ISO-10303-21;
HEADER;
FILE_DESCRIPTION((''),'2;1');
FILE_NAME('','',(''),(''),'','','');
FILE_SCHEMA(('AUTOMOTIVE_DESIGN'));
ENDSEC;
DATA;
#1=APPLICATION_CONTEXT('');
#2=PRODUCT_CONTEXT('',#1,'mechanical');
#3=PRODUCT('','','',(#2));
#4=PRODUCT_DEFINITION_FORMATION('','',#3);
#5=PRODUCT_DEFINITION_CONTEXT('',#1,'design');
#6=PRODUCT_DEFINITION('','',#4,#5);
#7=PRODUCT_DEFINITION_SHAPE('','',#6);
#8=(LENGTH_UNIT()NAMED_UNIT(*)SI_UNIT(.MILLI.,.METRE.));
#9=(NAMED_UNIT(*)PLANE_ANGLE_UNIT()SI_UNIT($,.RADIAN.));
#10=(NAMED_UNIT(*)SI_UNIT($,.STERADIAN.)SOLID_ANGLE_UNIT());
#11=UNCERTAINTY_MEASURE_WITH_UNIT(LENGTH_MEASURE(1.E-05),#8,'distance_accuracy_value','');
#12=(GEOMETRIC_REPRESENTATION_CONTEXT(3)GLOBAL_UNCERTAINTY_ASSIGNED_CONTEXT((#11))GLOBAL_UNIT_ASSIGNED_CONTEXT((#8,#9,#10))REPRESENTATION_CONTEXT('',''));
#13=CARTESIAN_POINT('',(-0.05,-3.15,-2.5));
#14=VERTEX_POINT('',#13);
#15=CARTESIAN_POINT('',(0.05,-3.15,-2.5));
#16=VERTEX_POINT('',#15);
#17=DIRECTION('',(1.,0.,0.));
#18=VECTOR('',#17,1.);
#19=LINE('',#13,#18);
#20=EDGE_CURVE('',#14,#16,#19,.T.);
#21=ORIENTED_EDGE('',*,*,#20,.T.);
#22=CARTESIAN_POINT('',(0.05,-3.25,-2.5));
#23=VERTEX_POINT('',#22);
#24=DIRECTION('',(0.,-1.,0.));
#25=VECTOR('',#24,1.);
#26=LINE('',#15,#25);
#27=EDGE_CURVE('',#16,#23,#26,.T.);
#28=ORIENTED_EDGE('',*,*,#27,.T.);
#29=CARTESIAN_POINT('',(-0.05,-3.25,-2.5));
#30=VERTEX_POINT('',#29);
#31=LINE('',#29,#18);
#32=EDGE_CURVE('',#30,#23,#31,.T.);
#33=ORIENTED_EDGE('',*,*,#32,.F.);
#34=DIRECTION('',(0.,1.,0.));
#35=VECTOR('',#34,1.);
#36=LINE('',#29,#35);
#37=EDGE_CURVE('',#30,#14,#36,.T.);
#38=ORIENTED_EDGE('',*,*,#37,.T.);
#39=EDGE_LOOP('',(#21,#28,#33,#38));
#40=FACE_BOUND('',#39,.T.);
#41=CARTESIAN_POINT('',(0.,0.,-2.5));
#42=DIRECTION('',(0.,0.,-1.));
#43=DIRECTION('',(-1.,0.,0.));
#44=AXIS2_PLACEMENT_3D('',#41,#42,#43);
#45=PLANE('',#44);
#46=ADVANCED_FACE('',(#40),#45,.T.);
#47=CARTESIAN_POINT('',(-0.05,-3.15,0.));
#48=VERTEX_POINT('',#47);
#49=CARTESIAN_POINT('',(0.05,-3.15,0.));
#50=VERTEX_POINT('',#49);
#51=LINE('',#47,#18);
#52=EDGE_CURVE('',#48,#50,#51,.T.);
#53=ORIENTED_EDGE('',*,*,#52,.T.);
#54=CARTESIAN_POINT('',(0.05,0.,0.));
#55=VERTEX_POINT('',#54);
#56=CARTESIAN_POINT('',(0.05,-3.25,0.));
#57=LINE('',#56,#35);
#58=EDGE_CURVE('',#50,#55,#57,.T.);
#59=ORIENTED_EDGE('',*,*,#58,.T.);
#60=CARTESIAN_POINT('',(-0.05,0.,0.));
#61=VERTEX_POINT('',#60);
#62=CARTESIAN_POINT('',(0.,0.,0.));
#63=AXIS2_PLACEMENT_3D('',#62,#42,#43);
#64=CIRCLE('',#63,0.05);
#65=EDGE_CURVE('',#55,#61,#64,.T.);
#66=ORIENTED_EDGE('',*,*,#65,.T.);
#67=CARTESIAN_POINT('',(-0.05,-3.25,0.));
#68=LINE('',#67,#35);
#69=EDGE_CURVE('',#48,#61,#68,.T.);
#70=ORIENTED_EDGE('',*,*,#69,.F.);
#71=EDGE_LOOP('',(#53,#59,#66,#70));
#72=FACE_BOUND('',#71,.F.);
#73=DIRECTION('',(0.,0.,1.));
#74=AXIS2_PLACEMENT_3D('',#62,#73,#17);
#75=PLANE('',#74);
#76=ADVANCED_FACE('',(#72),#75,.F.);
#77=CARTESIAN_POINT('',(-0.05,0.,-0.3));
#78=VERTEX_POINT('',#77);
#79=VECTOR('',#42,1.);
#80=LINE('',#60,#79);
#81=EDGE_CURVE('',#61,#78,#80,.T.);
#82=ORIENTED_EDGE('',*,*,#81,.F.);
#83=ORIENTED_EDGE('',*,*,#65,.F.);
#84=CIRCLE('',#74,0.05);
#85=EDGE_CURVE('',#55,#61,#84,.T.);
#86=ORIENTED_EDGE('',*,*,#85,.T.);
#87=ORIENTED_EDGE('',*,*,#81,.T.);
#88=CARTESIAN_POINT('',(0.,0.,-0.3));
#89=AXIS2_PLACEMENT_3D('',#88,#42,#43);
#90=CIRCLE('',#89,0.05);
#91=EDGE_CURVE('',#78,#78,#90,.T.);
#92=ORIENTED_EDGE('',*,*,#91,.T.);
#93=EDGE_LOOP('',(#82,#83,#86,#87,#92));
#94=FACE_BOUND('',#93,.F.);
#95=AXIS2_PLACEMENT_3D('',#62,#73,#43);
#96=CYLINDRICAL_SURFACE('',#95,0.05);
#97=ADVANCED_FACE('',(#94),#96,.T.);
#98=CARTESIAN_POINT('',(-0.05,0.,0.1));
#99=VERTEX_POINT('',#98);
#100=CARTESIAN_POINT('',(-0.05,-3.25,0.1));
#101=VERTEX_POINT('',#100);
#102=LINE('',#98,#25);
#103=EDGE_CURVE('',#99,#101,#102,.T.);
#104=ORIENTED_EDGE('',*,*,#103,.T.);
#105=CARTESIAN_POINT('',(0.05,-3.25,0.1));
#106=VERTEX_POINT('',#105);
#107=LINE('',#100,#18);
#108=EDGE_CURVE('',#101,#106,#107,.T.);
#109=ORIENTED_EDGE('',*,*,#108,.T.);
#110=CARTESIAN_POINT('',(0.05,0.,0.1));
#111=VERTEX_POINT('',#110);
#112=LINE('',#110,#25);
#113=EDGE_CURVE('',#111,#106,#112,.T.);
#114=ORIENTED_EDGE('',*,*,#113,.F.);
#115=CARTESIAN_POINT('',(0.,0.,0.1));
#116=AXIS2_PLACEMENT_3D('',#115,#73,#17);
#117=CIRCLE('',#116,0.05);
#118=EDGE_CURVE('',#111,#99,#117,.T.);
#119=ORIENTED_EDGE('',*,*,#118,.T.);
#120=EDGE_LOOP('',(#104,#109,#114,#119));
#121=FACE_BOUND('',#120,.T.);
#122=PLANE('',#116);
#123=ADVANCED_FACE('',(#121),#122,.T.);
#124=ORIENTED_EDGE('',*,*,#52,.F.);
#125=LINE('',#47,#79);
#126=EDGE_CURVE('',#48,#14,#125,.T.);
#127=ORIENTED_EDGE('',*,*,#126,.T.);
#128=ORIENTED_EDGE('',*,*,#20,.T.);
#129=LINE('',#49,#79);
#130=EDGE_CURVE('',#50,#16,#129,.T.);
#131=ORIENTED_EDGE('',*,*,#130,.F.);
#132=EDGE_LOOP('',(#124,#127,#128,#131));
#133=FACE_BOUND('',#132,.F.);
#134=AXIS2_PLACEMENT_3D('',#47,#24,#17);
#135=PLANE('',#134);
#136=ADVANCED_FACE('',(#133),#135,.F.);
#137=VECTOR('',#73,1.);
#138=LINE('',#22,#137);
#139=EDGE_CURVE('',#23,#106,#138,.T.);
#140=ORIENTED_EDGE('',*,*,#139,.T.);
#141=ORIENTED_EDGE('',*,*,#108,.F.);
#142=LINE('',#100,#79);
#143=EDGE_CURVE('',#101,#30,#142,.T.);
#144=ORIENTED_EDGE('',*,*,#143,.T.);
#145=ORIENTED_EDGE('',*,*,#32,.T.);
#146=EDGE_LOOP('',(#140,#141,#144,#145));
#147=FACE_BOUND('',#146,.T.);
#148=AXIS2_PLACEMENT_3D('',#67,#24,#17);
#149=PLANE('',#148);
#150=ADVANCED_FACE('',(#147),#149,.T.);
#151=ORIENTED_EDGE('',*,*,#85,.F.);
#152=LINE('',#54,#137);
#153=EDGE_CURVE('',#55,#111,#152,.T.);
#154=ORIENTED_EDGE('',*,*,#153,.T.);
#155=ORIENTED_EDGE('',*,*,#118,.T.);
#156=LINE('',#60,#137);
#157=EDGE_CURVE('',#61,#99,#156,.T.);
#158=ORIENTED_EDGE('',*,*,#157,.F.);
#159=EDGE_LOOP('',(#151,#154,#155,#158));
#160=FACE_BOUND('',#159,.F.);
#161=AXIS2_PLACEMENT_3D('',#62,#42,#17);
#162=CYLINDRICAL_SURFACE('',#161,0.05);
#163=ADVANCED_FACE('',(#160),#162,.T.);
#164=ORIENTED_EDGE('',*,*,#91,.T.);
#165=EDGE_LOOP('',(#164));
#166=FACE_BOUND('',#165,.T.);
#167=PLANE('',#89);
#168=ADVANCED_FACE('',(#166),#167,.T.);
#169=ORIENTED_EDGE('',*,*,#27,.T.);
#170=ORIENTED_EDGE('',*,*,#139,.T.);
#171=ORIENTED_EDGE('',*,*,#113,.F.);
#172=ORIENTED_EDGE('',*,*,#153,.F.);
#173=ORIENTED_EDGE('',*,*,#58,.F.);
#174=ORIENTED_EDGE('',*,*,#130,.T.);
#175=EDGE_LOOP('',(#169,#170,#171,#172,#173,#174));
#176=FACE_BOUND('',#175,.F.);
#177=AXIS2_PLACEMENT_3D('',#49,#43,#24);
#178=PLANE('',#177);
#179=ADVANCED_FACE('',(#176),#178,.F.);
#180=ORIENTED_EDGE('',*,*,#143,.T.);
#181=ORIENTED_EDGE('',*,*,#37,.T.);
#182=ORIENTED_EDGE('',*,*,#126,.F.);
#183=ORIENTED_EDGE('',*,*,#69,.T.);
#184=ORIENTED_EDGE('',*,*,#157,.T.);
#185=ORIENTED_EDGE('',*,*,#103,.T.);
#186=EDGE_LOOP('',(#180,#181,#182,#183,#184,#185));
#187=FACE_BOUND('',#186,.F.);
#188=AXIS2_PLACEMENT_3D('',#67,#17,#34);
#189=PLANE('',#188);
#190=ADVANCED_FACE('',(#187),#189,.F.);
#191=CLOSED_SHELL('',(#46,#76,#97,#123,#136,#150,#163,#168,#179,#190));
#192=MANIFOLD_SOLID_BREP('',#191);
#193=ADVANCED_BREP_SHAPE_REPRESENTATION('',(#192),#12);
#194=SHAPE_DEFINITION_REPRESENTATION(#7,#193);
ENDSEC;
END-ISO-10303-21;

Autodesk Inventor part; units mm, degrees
ref_plane "YZ Plane" through (0, 0, 0) normal (1, 0, 0) x (0, 1, 0)
ref_plane "XZ Plane" through (0, 0, 0) normal (0, 1, 0) x (-1, 0, 0)
ref_plane "XY Plane" through (0, 0, 0) normal (0, 0, 1) x (1, 0, 0)
sketch "Sketch1" plane through (0, 0, 0) normal (0, 0, 1) x (1, 0, 0)
  line L0 (0, 0) -> (0, -3.2)
  circle A0 centre (0, 0) radius 0.05
  line L1 (-0.05, -3.25) -> (0.05, -3.25)
  line L2 (0.05, -3.25) -> (0.05, -3.15)
  line L3 (0.05, -3.15) -> (-0.05, -3.15)
  line L4 (-0.05, -3.15) -> (-0.05, -3.25)
  line L5 (-0.05, -3.25) -> (0.05, -3.15) construction
  line L6 (0.05, -3.25) -> (-0.05, -3.15) construction
  line L7 (0.05, -3.15) -> (0.05, 0)
  line L8 (-0.05, -3.15) -> (-0.05, 0)
  dimension "d1" = 0.1
  dimension "d0" = 3.2
  dimension "d2" = 0.1
  dimension "d3" = 0.1
extrude "Extrusion1" add sketch "Sketch1" along normal blind 0.1
sketch "Sketch2" plane through (0, 0, 0) normal (0, 0, -1) x (-1, 0, 0)
  circle A0 centre (0, 0) radius 0.05
  dimension "d6" = 0.1
extrude "Extrusion2" add sketch "Sketch2" along normal blind 0.3
sketch "Sketch3" plane through (0, 0, 0) normal (0, 0, -1) x (-1, 0, 0)
  line L0 (0.05, -3.25) -> (-0.05, -3.25) projected
  line L1 (-0.05, -3.25) -> (0.05, -3.25)
  line L2 (0.05, -3.25) -> (0.05, -3.15)
  line L3 (0.05, 0) -> (0.05, -3.25) projected
  line L4 (0.05, -3.15) -> (-0.05, -3.15)
  line L5 (-0.05, -3.15) -> (-0.05, -3.25)
  point P0 (0, 0)
  dimension "d9" = 0.1
  dimension "d10" = 0.1
extrude "Extrusion3" add sketch "Sketch3" along normal blind 2.5
properties part number "Bone14_9_Fix"
